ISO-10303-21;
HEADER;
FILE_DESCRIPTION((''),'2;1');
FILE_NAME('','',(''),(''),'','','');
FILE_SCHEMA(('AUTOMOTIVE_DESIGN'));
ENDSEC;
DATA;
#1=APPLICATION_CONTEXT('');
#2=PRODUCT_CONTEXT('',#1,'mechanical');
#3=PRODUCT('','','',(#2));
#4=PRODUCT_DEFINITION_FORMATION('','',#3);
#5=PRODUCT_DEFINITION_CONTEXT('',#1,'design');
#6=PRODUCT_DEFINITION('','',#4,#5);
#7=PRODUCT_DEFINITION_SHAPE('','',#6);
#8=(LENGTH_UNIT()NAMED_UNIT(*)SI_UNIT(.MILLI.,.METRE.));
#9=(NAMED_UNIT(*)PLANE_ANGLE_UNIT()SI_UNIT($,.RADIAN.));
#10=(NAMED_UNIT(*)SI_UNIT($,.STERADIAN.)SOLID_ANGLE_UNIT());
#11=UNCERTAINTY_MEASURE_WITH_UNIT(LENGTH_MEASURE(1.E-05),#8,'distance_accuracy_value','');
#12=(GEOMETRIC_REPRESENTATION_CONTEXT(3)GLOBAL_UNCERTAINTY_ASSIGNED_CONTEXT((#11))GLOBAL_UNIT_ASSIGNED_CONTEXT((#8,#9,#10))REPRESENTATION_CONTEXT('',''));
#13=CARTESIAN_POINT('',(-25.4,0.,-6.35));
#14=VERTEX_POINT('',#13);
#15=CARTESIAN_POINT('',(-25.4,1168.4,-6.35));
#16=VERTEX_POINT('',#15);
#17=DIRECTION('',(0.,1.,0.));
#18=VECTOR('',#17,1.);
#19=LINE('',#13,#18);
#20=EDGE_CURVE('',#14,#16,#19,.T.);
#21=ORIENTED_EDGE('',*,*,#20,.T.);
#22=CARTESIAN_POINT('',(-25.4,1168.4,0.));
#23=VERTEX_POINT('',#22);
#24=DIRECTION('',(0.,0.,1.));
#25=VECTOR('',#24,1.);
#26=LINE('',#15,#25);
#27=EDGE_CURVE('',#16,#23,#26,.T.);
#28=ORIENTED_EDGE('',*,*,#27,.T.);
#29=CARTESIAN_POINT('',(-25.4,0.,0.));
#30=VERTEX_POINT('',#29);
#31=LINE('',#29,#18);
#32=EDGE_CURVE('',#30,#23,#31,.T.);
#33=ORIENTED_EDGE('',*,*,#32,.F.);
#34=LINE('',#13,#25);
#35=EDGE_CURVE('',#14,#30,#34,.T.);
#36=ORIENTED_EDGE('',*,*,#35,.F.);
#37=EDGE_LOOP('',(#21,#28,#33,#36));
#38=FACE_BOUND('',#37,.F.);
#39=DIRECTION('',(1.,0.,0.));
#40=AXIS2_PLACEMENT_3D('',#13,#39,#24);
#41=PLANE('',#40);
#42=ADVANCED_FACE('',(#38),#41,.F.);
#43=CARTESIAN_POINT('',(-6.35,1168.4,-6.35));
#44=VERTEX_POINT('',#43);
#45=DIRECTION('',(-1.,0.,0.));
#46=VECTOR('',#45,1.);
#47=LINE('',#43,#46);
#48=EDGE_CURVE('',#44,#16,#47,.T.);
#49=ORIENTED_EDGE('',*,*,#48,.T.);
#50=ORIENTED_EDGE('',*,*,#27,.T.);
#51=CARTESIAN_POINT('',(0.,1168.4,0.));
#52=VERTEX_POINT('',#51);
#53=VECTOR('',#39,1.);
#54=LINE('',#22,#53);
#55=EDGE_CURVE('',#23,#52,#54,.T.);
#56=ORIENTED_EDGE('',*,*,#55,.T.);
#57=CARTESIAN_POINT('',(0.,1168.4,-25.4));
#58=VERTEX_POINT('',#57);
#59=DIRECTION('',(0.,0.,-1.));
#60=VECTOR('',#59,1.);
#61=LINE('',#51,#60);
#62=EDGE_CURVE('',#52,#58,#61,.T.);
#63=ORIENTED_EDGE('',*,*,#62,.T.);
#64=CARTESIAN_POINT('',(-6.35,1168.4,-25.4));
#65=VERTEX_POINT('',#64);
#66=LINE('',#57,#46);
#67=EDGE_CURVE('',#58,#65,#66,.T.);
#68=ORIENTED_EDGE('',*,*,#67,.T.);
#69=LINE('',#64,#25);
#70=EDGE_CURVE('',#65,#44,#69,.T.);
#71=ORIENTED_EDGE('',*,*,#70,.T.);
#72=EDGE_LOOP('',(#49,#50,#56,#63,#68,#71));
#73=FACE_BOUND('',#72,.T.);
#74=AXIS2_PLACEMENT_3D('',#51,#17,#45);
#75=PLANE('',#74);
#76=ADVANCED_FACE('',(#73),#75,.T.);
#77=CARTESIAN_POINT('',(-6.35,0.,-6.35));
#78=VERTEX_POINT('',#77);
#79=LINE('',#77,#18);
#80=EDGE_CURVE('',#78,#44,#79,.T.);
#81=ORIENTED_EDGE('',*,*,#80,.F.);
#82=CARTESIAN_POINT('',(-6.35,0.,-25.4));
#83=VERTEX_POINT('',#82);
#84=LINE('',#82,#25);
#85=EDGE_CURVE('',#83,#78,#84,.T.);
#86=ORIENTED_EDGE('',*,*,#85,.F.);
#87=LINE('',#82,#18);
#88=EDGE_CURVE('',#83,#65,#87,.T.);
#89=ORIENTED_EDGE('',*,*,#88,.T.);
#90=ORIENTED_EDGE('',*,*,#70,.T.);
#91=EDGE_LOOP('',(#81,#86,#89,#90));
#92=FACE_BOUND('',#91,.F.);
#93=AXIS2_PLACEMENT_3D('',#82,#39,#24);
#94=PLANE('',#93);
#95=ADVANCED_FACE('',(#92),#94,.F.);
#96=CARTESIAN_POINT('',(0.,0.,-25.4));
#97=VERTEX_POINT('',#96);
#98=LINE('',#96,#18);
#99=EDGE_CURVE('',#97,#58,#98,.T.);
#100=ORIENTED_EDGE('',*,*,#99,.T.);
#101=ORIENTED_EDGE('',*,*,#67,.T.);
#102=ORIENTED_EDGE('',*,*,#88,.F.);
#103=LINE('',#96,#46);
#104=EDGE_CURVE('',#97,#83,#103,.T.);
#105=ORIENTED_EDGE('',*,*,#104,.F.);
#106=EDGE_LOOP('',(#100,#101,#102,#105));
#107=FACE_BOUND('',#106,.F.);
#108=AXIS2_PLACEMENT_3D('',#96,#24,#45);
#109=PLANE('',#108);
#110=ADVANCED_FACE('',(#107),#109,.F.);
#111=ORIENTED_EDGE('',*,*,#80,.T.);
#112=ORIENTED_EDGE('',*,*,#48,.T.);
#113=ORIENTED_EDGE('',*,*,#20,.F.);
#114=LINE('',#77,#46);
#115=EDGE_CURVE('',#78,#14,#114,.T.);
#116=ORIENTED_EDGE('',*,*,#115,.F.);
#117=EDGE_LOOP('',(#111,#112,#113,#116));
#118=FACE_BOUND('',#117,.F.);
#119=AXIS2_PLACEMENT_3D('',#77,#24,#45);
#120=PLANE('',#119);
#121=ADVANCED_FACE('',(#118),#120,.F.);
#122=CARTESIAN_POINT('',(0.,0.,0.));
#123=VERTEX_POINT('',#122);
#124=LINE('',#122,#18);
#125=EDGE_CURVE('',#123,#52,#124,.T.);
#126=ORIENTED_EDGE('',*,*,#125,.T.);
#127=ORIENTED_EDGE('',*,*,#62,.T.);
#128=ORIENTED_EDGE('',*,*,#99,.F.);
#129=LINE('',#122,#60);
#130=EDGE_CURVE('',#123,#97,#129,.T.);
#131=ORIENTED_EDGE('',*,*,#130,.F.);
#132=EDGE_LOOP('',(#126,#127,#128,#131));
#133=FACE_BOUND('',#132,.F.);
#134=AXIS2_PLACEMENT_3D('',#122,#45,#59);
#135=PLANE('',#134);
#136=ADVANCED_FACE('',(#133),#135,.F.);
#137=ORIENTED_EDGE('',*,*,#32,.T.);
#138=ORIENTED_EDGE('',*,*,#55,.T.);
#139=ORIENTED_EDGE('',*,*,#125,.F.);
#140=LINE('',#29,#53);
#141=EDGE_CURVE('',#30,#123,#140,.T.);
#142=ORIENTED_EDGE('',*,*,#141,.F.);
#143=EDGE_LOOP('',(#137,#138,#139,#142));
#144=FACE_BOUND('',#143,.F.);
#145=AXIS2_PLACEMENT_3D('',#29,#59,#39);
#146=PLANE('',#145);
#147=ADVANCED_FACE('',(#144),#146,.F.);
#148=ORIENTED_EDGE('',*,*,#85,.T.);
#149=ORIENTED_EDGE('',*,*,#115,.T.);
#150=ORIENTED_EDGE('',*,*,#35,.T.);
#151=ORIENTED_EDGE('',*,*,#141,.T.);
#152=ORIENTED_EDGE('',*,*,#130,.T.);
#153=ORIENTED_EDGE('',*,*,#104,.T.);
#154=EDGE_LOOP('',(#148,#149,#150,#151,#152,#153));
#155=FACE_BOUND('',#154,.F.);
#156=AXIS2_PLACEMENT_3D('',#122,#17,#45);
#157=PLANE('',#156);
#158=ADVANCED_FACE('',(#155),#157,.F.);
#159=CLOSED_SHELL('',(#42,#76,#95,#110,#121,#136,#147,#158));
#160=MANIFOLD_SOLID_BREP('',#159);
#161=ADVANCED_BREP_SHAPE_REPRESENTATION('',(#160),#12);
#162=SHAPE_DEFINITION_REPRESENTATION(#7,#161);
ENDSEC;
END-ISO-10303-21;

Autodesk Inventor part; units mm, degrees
ref_plane "YZ Plane" through (0, 0, 0) normal (1, 0, 0) x (0, 1, 0)
ref_plane "XZ Plane" through (0, 0, 0) normal (0, 1, 0) x (-1, 0, 0)
ref_plane "XY Plane" through (0, 0, 0) normal (0, 0, 1) x (1, 0, 0)
sketch "Sketch1" plane through (0, 0, 0) normal (0, 1, 0) x (-1, 0, 0)
  line L0 (0, 0) -> (0, -25.4)
  line L1 (0, -25.4) -> (6.35, -25.4)
  line L2 (6.35, -25.4) -> (6.35, -6.35)
  line L3 (6.35, -6.35) -> (25.4, -6.35)
  line L4 (25.4, -6.35) -> (25.4, 0)
  line L5 (25.4, 0) -> (0, 0)
  dimension "d0" = 25.4
  dimension "d1" = 6.35
  dimension "d2" = 19.05
  dimension "d3" = 19.05
extrude "Extrusion1" add sketch "Sketch1" along normal blind 1168.4
properties part number "VertL46in"
